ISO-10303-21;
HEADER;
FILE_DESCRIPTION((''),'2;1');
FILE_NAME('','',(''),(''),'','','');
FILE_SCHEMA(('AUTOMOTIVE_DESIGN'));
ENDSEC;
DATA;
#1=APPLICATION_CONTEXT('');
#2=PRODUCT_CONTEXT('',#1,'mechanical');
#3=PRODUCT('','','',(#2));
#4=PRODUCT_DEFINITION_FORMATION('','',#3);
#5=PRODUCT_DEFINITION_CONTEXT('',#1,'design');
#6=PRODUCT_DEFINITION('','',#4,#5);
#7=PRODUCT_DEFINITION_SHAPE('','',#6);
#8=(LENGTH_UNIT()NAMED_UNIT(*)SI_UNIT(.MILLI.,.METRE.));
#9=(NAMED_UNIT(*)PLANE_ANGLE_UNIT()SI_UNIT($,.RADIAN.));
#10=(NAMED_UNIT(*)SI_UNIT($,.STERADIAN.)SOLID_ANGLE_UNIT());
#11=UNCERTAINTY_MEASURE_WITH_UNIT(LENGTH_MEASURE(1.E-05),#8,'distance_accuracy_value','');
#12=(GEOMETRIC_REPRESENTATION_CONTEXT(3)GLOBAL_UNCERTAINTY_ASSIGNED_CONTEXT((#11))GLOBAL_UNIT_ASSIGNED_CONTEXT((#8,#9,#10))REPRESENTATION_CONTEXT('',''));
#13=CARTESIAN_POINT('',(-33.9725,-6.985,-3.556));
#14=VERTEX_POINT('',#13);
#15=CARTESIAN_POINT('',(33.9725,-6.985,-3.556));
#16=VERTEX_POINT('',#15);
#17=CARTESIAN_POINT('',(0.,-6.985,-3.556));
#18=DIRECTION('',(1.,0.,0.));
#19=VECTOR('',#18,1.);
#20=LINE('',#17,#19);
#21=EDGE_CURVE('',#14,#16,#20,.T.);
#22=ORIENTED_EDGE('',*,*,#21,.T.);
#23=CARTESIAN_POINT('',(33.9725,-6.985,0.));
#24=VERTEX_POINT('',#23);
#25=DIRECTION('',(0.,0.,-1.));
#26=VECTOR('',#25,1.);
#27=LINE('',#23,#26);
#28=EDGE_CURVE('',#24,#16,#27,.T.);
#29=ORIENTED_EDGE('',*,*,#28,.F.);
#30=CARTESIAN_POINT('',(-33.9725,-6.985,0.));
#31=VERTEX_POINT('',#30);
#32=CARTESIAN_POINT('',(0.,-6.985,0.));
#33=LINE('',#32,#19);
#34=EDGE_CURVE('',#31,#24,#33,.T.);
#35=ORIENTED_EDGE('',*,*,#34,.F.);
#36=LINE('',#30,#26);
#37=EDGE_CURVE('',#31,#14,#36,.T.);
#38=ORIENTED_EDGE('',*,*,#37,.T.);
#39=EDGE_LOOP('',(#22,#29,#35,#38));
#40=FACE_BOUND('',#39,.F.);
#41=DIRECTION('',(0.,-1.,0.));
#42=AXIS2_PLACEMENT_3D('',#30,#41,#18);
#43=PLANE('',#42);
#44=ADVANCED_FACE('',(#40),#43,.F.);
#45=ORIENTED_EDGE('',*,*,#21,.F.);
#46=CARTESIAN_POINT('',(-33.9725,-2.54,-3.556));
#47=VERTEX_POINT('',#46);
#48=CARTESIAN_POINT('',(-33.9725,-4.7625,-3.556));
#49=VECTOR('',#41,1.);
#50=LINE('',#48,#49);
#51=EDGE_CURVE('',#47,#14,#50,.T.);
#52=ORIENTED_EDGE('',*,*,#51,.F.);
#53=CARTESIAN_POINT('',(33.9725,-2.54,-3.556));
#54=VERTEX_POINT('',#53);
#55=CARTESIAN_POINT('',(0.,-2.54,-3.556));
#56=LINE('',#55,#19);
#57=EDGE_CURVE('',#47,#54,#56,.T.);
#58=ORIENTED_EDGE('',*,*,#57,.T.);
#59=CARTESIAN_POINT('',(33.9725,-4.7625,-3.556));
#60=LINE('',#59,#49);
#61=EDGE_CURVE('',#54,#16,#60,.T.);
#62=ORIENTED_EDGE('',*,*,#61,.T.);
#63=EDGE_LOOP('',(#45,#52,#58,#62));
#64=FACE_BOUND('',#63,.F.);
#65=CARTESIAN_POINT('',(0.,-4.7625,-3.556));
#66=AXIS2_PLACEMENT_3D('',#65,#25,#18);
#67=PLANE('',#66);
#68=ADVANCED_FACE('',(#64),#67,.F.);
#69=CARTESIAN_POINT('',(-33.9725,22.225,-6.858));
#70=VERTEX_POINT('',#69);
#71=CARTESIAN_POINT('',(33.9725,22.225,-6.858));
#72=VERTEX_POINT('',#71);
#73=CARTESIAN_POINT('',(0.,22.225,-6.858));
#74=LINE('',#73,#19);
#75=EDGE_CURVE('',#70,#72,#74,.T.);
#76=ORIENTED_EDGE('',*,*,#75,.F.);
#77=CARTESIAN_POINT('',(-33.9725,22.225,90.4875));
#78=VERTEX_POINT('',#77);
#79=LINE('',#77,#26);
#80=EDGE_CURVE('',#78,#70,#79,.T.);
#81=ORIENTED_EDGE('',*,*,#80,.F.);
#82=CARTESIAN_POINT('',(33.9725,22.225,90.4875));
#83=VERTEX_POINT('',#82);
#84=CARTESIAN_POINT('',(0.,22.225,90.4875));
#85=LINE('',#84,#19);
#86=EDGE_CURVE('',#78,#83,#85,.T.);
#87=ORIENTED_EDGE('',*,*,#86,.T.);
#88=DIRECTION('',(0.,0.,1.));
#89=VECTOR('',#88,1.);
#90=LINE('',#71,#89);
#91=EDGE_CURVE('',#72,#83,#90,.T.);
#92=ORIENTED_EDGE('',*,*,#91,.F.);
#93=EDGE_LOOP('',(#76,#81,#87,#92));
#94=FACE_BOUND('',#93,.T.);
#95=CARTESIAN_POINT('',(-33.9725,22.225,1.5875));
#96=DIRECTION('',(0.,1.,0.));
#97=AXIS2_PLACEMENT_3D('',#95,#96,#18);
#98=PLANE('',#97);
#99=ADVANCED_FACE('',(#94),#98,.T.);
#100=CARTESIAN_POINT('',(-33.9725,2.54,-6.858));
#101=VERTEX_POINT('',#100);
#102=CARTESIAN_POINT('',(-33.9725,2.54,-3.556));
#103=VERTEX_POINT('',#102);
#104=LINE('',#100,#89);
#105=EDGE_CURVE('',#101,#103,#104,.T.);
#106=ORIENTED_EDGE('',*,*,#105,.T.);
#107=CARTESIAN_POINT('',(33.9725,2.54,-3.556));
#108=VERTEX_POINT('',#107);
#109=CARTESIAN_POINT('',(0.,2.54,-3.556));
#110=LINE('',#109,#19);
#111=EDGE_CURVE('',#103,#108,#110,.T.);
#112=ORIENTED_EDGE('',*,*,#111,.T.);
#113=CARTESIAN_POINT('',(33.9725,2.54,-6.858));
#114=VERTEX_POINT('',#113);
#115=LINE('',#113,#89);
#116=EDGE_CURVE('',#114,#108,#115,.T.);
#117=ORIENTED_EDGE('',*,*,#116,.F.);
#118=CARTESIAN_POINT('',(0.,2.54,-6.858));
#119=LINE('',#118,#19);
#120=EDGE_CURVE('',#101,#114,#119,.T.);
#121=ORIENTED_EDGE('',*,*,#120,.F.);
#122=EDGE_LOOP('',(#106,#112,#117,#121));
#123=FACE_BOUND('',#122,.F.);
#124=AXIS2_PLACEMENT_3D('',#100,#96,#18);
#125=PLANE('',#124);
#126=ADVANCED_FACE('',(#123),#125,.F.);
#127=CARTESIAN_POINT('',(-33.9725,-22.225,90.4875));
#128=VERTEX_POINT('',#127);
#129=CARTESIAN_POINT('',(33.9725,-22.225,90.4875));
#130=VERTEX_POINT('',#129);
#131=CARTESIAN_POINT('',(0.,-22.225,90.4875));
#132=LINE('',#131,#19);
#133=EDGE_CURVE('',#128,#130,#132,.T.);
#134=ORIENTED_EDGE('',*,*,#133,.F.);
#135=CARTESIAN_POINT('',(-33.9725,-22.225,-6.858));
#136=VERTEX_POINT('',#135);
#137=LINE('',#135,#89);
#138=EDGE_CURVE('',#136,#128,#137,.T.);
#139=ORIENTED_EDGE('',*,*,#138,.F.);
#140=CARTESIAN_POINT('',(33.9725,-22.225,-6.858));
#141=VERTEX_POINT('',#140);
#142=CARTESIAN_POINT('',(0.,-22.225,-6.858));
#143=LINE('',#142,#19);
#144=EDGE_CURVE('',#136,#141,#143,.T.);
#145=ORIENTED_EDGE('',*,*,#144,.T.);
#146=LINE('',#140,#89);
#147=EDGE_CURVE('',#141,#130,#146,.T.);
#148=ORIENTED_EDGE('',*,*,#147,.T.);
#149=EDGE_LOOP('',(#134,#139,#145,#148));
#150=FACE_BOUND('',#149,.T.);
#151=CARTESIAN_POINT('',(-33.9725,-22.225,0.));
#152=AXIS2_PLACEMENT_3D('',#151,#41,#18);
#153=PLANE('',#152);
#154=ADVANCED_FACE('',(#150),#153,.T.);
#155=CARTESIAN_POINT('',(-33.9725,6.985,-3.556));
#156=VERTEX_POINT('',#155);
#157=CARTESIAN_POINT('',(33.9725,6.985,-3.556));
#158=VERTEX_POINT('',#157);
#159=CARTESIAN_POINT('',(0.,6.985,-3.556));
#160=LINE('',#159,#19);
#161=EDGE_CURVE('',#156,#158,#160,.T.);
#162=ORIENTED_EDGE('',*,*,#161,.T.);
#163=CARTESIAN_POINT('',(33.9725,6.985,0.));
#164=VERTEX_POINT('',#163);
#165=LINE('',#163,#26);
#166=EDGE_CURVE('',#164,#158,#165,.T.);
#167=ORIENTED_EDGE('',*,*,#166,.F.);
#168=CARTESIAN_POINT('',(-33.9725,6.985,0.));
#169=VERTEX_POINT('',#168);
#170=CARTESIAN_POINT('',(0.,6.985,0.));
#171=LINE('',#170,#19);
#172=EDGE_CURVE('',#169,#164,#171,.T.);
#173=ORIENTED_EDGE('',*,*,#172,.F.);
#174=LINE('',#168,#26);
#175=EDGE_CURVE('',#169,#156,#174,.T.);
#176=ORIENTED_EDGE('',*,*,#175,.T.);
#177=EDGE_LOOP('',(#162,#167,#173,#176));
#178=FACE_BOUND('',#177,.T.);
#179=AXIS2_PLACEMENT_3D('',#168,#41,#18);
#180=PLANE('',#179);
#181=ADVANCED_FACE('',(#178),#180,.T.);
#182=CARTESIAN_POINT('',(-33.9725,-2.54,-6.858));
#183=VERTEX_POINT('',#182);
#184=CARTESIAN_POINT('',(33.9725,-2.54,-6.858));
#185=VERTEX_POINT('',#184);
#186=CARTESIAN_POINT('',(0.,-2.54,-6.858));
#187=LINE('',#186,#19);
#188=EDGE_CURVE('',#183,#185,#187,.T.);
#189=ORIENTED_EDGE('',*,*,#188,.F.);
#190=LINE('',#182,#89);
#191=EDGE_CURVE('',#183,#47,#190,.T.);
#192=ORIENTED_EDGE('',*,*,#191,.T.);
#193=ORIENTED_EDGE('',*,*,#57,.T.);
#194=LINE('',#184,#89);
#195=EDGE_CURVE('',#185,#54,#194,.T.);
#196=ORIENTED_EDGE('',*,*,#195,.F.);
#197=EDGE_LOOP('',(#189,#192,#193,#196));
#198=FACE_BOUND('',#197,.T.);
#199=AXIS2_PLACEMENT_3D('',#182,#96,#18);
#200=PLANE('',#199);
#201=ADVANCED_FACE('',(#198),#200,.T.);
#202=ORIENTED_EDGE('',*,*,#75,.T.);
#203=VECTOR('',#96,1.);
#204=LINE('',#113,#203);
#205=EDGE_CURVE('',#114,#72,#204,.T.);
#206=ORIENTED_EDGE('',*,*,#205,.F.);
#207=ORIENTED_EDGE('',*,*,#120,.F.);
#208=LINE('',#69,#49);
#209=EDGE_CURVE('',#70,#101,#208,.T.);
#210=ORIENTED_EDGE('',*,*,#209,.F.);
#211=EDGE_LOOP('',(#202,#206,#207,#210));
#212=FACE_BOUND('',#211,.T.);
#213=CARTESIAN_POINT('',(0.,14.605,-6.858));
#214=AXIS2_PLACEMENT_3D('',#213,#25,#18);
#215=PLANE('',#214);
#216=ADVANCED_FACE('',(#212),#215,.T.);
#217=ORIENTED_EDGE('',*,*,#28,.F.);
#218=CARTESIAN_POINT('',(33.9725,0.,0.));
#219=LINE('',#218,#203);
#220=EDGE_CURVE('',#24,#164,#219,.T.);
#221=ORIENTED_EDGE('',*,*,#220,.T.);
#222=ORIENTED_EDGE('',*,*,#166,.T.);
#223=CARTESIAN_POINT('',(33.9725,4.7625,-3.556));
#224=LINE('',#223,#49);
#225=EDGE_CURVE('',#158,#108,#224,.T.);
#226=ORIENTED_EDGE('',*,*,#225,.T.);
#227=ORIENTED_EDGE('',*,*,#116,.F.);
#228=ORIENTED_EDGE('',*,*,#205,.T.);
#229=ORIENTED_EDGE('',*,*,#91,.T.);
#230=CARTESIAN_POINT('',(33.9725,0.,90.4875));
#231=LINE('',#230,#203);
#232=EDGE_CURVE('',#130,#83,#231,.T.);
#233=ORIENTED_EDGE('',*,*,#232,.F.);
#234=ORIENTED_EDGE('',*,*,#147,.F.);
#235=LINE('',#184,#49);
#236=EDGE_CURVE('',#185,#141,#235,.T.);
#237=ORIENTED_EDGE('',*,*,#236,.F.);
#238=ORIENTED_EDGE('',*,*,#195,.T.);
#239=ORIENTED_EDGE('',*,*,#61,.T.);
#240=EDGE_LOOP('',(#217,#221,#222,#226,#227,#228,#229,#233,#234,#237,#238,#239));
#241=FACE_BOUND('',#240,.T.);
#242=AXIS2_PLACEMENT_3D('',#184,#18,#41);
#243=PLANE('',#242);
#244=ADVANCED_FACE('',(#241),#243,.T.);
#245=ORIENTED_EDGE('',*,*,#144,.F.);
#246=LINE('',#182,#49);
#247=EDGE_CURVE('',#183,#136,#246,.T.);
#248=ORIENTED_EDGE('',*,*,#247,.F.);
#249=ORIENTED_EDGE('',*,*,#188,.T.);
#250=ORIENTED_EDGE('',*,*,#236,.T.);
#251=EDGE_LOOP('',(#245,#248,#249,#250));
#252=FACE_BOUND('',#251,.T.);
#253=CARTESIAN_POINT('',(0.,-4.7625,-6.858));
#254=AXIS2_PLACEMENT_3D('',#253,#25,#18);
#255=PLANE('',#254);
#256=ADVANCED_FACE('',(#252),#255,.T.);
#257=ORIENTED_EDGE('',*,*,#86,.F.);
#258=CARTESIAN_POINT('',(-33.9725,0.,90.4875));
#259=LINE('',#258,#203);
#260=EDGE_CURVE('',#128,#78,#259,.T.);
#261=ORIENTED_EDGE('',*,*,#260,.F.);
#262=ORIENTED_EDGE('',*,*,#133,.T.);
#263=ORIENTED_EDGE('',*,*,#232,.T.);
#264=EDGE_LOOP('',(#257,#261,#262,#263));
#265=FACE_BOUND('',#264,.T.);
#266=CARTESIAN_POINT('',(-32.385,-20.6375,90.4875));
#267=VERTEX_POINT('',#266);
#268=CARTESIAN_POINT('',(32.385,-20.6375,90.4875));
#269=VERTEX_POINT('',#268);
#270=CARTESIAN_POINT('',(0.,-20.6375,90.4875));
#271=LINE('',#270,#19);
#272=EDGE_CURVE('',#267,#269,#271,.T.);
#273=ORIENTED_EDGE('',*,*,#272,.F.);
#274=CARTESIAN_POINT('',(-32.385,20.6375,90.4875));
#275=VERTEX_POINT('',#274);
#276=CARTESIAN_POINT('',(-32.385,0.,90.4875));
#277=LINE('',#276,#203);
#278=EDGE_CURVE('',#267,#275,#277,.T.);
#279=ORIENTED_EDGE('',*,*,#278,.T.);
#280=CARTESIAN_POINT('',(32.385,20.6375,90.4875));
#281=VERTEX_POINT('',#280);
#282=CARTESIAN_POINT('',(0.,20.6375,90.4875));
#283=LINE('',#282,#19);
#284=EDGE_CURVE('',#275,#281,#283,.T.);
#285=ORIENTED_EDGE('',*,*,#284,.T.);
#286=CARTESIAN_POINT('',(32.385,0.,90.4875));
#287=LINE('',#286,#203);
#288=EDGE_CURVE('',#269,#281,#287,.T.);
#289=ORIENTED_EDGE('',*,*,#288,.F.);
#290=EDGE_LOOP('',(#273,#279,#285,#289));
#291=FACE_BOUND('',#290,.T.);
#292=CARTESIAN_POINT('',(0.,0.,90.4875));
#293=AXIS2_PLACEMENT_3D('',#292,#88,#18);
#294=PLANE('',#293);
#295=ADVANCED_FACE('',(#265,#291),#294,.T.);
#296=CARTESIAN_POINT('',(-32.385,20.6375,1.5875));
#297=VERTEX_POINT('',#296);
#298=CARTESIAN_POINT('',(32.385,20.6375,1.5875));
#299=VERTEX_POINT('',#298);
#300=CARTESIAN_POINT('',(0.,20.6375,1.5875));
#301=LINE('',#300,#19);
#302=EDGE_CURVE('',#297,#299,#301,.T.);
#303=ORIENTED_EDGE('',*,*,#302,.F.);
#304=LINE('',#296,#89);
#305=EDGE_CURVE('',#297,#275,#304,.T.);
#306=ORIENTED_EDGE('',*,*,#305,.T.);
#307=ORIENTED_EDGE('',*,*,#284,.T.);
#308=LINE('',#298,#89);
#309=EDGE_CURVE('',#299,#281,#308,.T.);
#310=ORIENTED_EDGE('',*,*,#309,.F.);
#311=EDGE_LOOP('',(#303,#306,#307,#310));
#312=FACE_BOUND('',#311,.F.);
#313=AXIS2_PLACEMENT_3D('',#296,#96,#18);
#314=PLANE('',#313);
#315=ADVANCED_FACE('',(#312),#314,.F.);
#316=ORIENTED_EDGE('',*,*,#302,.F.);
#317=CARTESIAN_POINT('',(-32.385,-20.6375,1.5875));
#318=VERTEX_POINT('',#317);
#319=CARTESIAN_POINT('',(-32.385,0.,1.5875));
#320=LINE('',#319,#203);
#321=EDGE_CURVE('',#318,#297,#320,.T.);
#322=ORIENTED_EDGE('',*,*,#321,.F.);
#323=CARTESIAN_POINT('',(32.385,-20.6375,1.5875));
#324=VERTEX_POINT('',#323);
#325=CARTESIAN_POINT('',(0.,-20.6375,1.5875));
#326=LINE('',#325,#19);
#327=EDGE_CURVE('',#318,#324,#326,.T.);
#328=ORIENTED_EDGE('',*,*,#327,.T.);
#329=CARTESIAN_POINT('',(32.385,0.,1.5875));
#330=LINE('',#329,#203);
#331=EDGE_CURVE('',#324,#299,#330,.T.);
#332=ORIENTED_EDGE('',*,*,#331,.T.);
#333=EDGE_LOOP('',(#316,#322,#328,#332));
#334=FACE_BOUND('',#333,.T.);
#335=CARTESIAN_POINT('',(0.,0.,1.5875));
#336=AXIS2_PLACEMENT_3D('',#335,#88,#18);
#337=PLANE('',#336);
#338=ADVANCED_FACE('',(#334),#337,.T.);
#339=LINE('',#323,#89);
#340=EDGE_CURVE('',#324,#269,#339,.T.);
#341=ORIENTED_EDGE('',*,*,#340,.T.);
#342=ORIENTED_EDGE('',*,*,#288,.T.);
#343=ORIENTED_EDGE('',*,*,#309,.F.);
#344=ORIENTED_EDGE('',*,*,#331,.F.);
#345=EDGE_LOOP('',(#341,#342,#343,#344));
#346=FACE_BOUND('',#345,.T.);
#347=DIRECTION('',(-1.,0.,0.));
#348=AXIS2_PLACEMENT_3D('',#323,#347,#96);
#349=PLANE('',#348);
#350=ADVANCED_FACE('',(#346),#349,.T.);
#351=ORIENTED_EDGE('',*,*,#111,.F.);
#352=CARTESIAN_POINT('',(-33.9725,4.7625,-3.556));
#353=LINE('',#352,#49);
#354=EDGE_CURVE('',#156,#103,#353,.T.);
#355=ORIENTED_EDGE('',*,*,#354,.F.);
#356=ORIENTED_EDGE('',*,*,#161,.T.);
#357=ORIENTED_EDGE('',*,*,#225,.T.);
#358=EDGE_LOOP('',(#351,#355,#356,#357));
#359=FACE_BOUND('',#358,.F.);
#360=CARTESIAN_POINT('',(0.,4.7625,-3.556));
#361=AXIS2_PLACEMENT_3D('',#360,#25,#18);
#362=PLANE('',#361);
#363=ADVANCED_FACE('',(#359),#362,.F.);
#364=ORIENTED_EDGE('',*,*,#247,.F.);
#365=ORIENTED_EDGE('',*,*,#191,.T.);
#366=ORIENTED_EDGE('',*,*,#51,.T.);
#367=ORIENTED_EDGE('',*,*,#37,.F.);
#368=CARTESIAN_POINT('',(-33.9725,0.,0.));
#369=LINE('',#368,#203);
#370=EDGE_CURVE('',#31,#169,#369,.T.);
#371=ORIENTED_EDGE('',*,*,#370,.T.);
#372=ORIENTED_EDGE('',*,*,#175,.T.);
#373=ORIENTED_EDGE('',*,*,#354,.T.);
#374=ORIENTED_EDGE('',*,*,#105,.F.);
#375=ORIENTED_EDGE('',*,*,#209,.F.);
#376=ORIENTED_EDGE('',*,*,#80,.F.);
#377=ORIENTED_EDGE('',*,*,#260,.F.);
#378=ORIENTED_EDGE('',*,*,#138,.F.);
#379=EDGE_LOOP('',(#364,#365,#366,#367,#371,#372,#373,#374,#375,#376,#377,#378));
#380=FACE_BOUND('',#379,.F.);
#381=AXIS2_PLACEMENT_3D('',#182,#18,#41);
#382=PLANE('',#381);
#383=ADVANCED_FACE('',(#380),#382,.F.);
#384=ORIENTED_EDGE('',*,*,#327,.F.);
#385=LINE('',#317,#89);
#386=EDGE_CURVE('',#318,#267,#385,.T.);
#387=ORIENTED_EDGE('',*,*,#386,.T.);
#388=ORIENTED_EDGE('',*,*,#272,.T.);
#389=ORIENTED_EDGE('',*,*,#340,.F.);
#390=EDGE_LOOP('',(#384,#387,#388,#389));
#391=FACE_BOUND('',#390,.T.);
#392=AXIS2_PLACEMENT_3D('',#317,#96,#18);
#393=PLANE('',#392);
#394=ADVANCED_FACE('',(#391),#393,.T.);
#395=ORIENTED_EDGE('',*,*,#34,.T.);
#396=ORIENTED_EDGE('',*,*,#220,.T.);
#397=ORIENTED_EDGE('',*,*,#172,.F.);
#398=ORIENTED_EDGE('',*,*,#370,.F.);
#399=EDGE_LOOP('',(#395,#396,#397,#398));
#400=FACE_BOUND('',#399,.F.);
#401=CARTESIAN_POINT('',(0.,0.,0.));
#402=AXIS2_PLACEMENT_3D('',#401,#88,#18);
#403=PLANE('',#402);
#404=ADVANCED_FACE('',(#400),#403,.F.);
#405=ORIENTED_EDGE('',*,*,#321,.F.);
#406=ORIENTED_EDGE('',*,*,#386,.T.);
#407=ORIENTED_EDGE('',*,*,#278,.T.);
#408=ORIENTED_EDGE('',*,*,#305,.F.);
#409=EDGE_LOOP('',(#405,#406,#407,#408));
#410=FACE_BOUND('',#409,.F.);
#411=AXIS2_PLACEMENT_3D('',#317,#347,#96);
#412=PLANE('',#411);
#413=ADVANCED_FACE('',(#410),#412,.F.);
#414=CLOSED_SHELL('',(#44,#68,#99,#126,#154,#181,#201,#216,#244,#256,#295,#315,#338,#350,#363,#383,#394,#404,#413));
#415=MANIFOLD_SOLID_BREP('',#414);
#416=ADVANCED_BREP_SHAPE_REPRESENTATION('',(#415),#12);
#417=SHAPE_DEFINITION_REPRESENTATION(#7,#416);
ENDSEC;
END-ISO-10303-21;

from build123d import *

# Parameters (mm, degrees)
F0_W     = 67.945
F0_H     = 44.45
F1_DEPTH = 1.5875
F2_W     = 67.945
F2_H     = 44.45
F2_W_2   = 64.77
F2_H_2   = 41.275
F3_DEPTH = 88.9
F4_W     = 67.945
F4_H     = 15.24
F5_DEPTH = 6.858
F6_W     = 67.945
F6_H     = 4.445
F7_DEPTH = 3.302


with BuildPart() as f1:
    # F0 (on Top) → F1 (new body)
    with BuildSketch(Plane.XY):
        Rectangle(F0_W, F0_H)
    extrude(amount=F1_DEPTH)

    # F2 (on face) → F3 (join)
    with BuildSketch(Plane.XY.offset(1.5875)):
        Rectangle(F2_W, F2_H)
        Rectangle(F2_W_2, F2_H_2, mode=Mode.SUBTRACT)
    extrude(amount=F3_DEPTH)

    # F4 (on face) → F5 (join)
    with BuildSketch(Plane(origin=(0, 0, 0), x_dir=(1, 0, 0), z_dir=(0, 0, -1))):
        with Locations((0, 14.605)):
            Rectangle(F4_W, F4_H)
        with Locations((0, -14.605)):
            Rectangle(F4_W, F4_H)
    extrude(amount=F5_DEPTH)

    # F6 (on face) → F7 (join)
    with BuildSketch(Plane(origin=(0, 0, -6.858), x_dir=(1, 0, 0), z_dir=(0, 0, -1))):
        with Locations((0, 4.7625)):
            Rectangle(F6_W, F6_H)
        with Locations((0, -4.7625)):
            Rectangle(F6_W, F6_H)
    extrude(amount=-F7_DEPTH)


solid = f1.part
